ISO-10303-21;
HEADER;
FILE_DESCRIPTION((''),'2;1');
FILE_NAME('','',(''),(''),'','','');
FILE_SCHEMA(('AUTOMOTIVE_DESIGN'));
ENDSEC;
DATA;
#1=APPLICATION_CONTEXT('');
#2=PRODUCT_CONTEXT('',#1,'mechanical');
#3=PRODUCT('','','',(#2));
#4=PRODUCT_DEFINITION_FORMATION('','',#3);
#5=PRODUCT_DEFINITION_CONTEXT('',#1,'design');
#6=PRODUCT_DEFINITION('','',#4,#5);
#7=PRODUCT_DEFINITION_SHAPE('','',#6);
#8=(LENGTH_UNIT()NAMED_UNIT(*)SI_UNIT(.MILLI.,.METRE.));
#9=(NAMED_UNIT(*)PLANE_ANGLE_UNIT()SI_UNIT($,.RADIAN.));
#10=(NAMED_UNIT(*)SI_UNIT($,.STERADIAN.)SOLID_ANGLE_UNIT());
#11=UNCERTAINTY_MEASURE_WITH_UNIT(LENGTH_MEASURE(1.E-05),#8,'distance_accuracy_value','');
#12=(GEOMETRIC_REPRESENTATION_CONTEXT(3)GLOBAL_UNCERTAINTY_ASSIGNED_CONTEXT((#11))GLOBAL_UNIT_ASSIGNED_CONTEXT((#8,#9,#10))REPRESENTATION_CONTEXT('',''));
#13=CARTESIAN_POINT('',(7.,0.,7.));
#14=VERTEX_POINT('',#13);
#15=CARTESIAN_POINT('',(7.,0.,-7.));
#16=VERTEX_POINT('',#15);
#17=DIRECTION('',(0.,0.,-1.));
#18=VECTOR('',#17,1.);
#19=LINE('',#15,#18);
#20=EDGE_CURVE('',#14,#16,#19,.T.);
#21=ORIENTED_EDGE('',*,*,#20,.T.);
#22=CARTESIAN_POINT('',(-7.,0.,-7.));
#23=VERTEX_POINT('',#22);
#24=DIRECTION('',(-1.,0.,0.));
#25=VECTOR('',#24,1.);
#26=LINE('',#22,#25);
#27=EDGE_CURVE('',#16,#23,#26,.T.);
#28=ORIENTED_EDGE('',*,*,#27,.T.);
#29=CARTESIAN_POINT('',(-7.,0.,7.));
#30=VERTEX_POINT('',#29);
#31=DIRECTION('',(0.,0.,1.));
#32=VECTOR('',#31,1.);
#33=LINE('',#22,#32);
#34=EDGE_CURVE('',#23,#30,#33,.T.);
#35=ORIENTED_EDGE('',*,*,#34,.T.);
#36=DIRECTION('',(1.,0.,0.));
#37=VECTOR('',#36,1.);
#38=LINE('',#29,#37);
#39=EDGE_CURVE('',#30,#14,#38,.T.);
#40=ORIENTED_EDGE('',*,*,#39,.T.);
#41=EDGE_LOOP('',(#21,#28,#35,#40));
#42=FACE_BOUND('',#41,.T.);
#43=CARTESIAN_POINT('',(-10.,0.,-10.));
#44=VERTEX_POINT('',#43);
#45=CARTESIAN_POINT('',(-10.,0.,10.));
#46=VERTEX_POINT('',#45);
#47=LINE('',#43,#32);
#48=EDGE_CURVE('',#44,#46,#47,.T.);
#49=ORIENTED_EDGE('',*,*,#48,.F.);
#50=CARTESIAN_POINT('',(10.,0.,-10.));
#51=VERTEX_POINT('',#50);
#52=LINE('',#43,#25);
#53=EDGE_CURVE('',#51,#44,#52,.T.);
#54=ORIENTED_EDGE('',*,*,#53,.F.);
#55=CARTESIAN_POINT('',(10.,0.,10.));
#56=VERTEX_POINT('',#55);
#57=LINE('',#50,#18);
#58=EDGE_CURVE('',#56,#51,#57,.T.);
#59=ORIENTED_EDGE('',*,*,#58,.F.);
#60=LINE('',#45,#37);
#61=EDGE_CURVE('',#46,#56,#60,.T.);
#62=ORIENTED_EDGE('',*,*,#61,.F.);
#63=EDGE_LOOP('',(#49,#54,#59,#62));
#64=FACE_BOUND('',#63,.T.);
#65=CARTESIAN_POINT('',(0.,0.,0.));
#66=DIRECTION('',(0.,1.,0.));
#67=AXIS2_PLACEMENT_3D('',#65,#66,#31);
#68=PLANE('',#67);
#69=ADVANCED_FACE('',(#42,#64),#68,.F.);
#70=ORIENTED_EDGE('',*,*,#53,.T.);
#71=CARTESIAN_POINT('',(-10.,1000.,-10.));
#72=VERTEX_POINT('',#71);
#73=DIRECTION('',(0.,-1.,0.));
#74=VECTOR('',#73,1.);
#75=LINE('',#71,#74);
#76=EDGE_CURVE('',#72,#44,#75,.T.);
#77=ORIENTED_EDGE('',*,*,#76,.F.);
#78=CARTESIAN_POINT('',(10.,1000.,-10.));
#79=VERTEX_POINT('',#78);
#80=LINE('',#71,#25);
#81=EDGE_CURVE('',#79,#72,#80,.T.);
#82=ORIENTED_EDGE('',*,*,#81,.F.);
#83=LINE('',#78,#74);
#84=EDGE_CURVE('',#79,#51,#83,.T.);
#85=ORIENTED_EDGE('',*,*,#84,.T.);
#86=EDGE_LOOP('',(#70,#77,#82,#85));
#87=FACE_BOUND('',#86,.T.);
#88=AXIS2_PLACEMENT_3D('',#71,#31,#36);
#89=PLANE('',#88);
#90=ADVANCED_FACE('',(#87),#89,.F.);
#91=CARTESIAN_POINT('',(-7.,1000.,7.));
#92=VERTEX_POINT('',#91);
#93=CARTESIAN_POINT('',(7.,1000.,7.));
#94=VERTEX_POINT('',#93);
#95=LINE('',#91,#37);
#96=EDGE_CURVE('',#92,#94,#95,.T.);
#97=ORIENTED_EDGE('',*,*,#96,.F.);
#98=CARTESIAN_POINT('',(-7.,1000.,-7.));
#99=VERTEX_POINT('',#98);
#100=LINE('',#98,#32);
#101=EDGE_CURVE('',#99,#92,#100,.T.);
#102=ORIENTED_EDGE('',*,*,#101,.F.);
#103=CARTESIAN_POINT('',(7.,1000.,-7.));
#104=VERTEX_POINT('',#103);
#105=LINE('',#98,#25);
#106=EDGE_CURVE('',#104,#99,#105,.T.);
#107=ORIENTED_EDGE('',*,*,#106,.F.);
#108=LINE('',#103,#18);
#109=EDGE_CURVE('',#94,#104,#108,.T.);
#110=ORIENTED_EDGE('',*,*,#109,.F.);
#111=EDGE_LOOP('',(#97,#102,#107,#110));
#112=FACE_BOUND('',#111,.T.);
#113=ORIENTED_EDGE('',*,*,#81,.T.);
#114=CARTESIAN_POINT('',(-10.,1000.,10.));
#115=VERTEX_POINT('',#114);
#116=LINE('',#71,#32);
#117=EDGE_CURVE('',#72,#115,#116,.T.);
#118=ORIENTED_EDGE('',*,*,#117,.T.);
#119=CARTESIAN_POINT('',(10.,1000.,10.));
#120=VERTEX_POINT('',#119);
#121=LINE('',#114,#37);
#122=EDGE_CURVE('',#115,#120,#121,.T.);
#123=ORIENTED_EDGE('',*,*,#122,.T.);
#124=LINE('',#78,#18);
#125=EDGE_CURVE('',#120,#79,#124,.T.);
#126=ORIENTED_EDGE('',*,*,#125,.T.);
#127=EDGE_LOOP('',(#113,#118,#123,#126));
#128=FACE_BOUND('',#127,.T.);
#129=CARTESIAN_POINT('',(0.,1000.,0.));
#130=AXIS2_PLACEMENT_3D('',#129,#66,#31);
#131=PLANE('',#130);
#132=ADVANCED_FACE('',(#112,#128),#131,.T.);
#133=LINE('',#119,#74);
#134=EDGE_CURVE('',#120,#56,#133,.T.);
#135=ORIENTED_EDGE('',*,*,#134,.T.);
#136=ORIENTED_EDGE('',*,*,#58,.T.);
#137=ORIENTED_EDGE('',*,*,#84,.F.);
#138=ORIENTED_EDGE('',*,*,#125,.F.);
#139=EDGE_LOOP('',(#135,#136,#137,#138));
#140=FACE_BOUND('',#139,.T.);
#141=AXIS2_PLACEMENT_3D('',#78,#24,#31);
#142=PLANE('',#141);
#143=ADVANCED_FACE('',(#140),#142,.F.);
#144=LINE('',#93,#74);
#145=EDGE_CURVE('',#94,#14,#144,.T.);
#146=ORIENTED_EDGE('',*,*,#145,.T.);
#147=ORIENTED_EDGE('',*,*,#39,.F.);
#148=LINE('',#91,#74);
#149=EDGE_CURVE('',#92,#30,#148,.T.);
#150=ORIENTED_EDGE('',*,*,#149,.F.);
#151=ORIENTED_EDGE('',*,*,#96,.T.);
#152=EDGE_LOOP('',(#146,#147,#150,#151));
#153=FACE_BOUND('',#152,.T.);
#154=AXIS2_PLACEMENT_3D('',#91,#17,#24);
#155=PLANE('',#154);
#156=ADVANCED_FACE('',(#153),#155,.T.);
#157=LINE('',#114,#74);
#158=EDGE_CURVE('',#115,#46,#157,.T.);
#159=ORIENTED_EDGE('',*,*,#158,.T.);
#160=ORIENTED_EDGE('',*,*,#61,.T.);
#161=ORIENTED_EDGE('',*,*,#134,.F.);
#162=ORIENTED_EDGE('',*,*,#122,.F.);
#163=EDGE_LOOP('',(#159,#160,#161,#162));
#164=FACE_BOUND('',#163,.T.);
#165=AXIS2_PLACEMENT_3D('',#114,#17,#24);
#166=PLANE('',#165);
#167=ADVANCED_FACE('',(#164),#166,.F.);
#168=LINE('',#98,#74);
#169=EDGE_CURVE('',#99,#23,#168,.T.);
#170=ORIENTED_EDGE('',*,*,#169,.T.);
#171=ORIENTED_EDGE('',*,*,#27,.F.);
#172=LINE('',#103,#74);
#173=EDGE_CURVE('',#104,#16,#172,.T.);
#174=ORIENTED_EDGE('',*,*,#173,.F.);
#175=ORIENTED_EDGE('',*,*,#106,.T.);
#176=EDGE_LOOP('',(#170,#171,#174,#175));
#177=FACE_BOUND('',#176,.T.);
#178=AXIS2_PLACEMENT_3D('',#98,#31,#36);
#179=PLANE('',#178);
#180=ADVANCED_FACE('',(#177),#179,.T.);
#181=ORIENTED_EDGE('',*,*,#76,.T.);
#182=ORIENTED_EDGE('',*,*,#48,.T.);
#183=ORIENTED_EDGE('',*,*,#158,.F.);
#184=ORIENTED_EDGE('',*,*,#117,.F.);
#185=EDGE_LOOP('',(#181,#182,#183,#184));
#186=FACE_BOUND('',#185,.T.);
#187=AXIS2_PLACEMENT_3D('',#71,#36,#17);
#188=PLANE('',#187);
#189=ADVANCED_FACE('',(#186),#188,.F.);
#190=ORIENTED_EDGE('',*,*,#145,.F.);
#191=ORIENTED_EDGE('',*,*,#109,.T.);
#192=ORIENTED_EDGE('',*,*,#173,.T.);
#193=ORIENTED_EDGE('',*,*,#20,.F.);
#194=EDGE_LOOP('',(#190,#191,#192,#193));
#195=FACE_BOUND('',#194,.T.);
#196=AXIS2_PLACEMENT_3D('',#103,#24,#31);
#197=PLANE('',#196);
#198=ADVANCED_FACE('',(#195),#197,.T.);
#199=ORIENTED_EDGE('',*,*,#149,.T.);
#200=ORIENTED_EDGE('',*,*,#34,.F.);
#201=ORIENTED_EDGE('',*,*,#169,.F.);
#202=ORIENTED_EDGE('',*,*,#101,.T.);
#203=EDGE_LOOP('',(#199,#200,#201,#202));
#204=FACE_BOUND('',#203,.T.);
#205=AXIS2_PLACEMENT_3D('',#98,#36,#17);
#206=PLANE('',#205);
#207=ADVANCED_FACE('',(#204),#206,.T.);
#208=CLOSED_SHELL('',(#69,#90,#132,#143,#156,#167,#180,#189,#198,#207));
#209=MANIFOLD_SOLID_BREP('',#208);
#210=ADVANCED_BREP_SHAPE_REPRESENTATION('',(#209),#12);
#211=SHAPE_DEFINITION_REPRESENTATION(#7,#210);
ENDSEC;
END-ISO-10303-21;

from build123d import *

# Parameters (mm, degrees)
SKETCH_1_W      = 20
SKETCH_1_H      = 20
SKETCH_1_W_2    = 14
SKETCH_1_H_2    = 14
EXTRUDE_1_DEPTH = 1000


with BuildPart() as part:
    # 草图1 → 凸台-拉伸1 (new body)
    with BuildSketch(Plane(origin=(0, 0, 0), x_dir=(1, 0, 0), z_dir=(0, 1, 0))):
        Rectangle(SKETCH_1_W, SKETCH_1_H)
        Rectangle(SKETCH_1_W_2, SKETCH_1_H_2, mode=Mode.SUBTRACT)
    extrude(amount=EXTRUDE_1_DEPTH)


solid = part.part
